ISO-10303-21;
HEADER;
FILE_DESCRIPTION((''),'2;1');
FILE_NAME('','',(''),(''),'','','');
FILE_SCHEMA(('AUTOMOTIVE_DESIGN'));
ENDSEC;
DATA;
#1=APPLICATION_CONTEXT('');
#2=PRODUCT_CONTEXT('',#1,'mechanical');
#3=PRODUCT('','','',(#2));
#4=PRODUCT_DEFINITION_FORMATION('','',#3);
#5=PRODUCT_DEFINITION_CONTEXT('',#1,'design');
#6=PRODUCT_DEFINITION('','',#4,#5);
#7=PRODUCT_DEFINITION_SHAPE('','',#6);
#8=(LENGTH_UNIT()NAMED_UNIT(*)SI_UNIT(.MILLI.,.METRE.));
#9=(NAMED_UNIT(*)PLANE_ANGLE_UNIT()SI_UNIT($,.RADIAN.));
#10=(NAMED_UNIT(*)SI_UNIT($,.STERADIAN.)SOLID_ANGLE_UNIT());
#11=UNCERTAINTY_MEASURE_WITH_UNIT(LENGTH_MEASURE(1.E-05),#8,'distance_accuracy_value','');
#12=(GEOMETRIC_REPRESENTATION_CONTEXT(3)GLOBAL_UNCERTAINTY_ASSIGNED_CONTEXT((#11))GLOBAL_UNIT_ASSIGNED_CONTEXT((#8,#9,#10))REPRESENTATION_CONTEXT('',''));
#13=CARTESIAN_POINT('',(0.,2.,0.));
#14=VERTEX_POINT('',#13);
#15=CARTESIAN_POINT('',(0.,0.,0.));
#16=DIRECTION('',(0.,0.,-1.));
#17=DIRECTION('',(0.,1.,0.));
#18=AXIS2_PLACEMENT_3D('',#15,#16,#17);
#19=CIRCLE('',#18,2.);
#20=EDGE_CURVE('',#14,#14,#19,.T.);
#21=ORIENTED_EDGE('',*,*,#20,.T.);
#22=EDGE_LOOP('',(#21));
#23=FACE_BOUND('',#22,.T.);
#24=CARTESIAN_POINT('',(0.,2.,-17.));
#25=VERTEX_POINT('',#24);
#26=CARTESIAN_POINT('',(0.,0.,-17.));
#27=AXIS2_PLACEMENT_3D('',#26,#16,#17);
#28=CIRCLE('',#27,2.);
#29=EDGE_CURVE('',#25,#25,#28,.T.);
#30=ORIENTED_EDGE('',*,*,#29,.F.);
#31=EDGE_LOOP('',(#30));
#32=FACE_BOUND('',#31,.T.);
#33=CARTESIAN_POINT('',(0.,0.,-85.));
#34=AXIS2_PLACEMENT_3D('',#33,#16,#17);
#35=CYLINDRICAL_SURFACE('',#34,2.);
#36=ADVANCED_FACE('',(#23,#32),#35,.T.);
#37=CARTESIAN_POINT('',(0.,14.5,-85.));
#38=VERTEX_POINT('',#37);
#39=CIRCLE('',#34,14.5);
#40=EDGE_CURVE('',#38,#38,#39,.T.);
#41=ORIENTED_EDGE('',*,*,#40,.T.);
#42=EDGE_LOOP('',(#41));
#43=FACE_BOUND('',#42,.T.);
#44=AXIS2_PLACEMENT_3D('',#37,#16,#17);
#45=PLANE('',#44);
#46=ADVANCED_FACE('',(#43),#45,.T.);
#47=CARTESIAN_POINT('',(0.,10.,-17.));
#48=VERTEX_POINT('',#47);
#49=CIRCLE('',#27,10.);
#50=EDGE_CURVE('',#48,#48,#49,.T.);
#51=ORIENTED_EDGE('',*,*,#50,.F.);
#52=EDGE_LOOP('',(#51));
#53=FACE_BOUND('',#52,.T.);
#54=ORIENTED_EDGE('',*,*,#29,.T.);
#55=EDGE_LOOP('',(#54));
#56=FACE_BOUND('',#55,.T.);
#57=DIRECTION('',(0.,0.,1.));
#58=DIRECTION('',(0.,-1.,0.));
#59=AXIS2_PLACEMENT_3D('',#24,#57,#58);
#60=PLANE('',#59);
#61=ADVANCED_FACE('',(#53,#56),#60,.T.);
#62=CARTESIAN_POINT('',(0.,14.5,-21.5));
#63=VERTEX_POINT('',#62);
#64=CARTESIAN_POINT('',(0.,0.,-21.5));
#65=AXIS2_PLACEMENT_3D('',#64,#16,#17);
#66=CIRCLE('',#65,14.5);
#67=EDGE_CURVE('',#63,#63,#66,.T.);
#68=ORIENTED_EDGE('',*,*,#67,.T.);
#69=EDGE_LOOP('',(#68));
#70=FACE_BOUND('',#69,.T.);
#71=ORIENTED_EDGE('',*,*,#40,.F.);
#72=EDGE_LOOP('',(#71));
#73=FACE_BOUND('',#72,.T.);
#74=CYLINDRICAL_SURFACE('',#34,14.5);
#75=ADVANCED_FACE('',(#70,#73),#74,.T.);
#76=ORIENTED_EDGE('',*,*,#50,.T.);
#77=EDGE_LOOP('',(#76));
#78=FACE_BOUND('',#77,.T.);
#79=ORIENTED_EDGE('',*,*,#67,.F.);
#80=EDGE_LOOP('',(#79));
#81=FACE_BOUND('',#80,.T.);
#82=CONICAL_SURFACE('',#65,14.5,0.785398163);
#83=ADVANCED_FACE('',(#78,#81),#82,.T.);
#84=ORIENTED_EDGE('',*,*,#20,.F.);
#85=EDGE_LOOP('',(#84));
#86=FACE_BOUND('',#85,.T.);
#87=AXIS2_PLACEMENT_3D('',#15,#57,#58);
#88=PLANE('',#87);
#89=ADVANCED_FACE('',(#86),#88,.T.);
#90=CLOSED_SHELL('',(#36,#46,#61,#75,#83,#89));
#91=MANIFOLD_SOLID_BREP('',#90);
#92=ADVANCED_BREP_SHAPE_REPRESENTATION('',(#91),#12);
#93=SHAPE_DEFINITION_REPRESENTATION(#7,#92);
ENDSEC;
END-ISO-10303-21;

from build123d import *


with BuildPart() as part:
    # Sketch3 → Revolve1 (revolve)
    with BuildSketch(Plane(origin=(0, 0, 0), x_dir=(0, 0, -1), z_dir=(1, 0, 0))):
        Polygon((0, 0), (0, 2), (17, 2), (17, 10), (21.5, 14.5), (85, 14.5), (85, 0), align=None)
    revolve(axis=Axis((0, 0, -85), (0, 0, 1)))


solid = part.part
